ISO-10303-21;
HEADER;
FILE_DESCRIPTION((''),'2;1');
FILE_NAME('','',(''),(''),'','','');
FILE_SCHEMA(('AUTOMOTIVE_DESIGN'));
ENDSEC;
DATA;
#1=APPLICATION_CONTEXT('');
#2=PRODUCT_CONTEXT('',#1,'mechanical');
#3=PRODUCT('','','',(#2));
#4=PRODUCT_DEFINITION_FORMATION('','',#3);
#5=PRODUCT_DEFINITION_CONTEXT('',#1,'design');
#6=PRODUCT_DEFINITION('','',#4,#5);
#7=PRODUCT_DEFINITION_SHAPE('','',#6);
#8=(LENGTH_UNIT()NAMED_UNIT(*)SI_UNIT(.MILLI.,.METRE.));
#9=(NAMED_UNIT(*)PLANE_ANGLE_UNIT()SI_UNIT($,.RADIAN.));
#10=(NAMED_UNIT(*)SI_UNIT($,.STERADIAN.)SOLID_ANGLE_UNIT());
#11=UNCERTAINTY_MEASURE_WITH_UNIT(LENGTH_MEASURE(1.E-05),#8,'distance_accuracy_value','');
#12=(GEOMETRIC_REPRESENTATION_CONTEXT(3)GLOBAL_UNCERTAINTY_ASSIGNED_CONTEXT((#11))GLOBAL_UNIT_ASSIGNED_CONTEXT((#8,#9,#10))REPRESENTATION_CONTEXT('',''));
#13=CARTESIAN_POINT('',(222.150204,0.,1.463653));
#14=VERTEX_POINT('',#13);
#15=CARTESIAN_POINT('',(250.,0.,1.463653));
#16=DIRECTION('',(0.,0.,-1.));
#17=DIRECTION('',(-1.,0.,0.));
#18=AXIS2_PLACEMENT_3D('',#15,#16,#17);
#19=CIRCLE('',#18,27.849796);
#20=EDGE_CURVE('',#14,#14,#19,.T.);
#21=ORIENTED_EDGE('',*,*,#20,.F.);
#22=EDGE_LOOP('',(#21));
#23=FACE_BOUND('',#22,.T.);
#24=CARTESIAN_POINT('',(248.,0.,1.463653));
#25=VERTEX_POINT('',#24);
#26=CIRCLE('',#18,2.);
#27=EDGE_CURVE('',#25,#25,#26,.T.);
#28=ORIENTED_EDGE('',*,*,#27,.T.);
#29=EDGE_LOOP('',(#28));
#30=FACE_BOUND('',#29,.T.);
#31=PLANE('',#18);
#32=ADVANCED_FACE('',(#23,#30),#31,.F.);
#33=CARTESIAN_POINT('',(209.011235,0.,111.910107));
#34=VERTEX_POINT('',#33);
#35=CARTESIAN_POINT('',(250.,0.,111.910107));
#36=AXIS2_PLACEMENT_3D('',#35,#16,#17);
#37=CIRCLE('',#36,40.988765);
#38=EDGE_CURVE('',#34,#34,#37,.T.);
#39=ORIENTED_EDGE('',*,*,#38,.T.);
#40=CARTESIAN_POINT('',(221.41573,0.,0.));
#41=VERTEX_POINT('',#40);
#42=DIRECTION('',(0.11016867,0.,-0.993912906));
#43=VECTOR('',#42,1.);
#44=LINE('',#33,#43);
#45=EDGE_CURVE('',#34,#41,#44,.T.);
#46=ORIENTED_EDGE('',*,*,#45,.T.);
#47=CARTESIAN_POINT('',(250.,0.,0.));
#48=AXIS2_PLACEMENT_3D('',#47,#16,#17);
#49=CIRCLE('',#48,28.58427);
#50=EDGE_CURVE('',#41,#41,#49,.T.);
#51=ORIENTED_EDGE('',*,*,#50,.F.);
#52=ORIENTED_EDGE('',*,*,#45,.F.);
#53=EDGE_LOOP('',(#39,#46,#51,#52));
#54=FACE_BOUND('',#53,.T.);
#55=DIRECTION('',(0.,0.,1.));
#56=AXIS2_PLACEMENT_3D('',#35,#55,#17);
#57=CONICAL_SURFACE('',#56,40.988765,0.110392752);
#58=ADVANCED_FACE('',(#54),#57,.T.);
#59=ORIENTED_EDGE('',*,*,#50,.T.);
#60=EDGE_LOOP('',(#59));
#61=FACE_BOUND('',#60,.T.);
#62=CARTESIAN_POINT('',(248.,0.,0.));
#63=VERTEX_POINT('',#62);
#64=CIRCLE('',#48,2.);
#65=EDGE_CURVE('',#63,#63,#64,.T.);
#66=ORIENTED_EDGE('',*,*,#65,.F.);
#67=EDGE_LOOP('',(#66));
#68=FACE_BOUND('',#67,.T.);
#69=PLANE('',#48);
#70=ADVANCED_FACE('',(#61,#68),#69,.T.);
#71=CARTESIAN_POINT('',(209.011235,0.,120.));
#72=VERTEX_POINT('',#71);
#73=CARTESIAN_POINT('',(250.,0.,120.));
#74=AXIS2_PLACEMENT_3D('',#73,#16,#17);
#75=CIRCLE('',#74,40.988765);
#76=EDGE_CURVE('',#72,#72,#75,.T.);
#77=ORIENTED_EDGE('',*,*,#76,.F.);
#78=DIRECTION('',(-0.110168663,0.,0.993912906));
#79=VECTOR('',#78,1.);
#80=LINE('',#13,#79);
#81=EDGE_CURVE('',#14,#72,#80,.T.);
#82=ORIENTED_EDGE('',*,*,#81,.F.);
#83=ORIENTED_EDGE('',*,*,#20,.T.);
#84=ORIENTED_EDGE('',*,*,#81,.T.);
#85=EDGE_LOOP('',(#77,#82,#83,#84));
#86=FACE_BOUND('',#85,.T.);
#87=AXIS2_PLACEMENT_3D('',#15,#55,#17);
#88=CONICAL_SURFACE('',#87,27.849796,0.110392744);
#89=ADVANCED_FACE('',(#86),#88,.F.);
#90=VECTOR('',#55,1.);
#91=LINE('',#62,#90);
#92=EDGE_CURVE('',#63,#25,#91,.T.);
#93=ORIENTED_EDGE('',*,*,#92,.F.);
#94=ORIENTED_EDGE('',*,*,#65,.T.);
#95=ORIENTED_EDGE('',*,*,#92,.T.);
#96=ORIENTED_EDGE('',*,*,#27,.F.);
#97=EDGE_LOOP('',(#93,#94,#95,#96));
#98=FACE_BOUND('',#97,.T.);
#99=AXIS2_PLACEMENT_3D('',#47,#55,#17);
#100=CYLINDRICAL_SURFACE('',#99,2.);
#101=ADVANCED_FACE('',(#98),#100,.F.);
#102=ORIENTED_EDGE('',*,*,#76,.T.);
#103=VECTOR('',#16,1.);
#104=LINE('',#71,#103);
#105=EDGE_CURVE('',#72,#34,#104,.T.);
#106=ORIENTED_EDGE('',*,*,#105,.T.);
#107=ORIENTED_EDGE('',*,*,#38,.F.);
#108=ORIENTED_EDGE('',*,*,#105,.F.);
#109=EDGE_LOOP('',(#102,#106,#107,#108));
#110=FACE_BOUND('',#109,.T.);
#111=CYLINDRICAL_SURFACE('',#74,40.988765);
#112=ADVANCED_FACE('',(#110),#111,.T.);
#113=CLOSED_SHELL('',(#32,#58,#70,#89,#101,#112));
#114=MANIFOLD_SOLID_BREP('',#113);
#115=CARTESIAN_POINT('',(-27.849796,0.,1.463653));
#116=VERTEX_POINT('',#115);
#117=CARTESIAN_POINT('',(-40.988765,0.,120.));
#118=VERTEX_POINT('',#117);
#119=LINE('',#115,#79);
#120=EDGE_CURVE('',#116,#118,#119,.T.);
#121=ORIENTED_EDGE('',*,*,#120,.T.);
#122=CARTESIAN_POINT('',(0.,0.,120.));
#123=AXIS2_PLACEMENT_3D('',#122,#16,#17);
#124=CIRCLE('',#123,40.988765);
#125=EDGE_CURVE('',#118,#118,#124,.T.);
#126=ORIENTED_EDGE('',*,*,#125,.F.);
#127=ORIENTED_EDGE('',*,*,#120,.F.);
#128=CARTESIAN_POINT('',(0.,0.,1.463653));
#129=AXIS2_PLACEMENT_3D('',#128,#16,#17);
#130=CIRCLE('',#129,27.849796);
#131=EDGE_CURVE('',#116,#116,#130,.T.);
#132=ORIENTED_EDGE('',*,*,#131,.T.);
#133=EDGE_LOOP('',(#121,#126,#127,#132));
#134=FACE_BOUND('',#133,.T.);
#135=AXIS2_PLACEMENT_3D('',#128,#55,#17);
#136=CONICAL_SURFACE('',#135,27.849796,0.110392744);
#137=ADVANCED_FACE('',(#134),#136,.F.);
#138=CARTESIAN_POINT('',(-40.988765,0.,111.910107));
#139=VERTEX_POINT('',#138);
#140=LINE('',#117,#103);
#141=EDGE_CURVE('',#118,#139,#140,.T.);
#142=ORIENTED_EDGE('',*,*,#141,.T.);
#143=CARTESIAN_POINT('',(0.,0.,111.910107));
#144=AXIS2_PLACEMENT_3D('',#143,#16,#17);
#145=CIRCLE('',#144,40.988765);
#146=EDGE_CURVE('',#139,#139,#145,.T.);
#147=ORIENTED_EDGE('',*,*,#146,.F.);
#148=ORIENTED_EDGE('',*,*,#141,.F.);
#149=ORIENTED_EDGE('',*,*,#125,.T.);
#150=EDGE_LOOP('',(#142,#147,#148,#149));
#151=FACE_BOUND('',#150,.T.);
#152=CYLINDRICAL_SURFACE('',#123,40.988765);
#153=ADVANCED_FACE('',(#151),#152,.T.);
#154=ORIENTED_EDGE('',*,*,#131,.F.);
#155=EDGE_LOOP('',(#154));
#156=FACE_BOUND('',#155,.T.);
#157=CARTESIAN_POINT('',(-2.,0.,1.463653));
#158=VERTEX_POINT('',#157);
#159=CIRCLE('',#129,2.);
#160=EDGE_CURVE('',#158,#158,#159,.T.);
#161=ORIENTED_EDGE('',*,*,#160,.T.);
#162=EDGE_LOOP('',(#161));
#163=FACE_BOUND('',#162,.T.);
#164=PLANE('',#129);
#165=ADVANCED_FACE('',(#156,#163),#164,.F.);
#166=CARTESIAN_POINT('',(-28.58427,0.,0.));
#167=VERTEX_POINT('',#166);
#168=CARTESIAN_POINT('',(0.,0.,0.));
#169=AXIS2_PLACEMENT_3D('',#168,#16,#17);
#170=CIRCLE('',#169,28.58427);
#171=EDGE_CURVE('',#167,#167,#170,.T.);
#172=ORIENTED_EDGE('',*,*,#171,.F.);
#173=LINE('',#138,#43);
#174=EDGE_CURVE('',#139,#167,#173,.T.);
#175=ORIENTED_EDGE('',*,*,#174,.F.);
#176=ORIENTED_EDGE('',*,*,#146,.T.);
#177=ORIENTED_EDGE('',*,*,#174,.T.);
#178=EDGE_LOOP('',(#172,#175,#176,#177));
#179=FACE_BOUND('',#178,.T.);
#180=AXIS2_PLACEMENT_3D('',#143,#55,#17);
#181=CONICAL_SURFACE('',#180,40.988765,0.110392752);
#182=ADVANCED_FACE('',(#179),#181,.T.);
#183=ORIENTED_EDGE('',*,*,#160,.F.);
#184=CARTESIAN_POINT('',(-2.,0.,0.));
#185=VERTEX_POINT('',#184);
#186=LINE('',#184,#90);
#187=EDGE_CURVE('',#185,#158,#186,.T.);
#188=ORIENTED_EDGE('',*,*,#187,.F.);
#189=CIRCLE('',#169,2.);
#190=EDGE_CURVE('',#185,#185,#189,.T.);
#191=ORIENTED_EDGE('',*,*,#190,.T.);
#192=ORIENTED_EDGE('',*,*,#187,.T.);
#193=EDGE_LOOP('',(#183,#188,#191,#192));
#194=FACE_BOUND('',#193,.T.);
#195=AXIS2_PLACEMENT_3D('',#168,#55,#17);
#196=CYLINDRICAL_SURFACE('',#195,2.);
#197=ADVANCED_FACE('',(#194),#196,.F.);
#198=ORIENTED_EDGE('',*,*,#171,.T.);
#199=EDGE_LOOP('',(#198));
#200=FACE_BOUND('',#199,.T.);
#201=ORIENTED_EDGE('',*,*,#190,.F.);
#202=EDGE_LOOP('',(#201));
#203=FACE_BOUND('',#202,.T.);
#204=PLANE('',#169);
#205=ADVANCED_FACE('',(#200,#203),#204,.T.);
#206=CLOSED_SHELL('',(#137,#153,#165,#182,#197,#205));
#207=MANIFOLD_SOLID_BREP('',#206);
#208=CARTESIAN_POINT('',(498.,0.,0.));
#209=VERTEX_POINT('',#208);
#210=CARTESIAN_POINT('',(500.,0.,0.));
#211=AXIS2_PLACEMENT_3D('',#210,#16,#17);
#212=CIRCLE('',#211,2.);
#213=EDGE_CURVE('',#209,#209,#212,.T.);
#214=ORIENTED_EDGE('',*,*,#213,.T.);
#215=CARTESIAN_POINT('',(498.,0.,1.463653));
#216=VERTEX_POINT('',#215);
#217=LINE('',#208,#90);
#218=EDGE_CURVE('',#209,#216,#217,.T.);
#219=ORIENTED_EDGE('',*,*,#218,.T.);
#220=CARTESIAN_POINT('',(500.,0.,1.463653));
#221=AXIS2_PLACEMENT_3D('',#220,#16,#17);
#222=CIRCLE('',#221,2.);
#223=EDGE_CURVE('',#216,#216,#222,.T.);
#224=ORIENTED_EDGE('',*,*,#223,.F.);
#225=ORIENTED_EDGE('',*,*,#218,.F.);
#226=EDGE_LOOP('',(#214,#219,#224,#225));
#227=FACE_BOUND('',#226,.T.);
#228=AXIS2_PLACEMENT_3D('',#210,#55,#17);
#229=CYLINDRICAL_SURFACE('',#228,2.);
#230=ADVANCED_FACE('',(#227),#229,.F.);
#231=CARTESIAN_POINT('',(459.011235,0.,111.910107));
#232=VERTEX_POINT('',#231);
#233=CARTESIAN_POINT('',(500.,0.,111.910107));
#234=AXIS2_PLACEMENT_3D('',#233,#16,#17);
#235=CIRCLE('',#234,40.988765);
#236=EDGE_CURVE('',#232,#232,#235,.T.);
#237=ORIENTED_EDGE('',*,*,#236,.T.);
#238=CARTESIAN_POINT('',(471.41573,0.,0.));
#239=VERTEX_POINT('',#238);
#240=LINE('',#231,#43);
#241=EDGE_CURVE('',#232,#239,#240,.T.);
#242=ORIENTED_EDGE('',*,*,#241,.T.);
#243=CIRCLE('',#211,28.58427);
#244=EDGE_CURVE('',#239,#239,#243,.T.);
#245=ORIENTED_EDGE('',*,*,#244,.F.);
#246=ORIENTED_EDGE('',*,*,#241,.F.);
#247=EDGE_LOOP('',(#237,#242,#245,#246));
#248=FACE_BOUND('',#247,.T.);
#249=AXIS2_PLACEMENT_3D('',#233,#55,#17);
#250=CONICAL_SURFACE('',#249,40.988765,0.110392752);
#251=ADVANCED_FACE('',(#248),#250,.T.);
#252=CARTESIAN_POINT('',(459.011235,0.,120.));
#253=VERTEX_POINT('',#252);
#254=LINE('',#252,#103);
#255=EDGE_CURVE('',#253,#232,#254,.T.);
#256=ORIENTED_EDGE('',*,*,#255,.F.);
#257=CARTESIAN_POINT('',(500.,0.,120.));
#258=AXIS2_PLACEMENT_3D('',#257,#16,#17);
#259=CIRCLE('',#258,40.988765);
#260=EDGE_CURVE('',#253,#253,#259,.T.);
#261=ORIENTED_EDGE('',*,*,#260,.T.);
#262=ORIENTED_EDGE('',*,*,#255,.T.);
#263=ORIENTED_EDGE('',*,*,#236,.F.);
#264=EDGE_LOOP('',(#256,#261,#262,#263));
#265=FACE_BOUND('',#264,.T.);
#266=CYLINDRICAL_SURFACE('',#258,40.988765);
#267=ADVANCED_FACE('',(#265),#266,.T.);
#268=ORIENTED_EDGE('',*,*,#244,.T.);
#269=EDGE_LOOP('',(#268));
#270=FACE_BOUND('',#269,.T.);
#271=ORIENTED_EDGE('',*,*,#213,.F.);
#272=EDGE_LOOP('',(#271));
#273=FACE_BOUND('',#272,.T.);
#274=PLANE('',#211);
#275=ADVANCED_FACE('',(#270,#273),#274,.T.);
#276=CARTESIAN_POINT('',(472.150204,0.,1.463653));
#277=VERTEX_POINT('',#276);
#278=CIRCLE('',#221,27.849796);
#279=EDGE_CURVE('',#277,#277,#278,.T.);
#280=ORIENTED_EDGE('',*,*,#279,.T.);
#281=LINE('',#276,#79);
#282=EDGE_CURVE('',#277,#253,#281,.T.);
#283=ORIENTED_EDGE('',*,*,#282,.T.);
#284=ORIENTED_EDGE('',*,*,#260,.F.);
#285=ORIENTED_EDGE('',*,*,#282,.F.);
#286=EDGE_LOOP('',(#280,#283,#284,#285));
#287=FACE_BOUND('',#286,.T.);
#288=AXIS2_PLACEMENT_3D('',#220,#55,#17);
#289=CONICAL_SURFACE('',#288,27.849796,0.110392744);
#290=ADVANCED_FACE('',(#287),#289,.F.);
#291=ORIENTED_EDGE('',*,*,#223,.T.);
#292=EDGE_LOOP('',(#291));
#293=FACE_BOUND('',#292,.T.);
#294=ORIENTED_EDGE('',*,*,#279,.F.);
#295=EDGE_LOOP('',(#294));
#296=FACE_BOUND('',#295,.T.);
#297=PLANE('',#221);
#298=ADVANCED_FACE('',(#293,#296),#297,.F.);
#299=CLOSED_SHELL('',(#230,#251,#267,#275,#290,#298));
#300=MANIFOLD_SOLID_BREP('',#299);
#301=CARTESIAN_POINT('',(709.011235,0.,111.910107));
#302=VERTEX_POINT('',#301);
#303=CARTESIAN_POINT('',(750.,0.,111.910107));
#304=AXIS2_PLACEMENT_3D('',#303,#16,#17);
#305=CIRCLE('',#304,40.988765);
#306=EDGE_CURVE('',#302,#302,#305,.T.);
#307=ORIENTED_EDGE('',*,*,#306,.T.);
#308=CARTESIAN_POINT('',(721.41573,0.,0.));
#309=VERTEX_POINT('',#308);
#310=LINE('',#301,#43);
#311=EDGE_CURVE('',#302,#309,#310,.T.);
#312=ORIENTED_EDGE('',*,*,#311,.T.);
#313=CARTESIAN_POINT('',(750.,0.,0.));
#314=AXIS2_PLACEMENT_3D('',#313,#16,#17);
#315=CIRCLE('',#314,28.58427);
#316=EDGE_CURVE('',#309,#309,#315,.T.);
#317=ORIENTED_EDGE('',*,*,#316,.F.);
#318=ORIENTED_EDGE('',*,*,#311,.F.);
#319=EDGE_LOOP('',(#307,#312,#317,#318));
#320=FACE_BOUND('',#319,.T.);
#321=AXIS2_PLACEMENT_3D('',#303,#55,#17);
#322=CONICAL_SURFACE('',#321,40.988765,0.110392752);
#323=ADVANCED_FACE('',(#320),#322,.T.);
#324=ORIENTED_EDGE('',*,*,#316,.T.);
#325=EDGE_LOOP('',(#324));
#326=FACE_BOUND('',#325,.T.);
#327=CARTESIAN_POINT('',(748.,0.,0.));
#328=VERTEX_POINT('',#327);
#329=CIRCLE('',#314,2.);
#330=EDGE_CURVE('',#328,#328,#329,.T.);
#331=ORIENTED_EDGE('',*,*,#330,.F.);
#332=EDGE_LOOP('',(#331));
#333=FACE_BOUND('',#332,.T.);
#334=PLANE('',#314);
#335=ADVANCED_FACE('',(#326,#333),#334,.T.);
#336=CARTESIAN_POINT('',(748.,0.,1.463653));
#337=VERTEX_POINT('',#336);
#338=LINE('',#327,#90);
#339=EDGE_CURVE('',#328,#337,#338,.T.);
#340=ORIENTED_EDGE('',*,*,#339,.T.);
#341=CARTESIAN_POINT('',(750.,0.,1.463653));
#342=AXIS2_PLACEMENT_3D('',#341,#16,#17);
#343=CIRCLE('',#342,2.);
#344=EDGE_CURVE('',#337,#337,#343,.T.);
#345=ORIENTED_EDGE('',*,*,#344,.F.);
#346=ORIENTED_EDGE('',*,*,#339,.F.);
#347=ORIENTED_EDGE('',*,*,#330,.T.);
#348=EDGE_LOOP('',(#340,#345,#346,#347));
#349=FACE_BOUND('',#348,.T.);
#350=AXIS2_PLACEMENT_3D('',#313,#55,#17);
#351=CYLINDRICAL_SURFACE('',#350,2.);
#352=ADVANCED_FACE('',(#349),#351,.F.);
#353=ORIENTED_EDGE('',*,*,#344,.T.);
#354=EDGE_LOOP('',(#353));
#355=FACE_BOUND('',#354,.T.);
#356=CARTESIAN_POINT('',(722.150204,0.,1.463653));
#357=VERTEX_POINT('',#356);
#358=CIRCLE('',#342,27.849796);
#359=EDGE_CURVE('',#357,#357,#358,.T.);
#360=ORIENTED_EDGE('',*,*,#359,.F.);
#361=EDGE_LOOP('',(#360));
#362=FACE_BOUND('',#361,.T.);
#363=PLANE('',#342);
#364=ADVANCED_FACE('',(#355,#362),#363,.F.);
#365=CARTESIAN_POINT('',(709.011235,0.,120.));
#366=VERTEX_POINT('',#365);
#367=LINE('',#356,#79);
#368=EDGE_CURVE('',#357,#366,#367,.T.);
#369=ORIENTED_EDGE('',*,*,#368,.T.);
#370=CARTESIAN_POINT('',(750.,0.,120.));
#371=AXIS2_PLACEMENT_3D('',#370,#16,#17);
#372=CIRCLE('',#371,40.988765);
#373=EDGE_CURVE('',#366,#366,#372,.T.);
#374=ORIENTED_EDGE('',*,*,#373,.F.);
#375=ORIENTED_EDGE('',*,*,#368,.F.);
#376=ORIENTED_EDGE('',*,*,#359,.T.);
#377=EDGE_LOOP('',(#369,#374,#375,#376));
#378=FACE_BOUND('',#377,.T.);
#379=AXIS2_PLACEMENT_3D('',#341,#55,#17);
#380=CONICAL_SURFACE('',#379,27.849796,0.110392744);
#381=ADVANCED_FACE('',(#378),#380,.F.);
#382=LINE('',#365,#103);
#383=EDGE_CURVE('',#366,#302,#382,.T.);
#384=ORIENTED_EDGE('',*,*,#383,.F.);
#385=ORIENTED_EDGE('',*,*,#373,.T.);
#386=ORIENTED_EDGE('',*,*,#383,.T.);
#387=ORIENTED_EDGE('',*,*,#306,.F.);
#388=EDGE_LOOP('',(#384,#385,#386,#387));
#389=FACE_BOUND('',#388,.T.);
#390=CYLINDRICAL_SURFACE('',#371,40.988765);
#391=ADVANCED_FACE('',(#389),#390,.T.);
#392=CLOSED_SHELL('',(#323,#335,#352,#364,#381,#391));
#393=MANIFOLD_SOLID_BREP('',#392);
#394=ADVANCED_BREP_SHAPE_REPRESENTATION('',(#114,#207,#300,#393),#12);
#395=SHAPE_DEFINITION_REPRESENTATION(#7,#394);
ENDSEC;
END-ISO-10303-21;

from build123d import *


with BuildPart() as f1:
    # F0 (on Front) → F1 (revolve)
    with BuildSketch(Plane.XZ):
        Polygon((-28.58427, 0), (-2, 0), (-2, 1.463653), (-27.849796, 1.463653), (-40.988765, 120), (-40.988765, 111.910107), align=None)
    revolve(axis=Axis((0, 0, 0.731827), (0, 0, -1)))


with BuildPart() as f4:
    # F2 (on Front) → F4 (revolve)
    with BuildSketch(Plane.XZ):
        Polygon((221.41573, 0), (248, 0), (248, 1.463653), (222.150204, 1.463653), (209.011235, 120), (209.011235, 111.910107), align=None)
    revolve(axis=Axis((250, 0, 0.731827), (0, 0, -1)))


with BuildPart() as f5:
    # F3 (on Front) → F5 (revolve)
    with BuildSketch(Plane.XZ):
        Polygon((471.41573, 0), (498, 0), (498, 1.463653), (472.150204, 1.463653), (459.011235, 120), (459.011235, 111.910107), align=None)
    revolve(axis=Axis((500, 0, 0.731827), (0, 0, -1)))


with BuildPart() as f7:
    # F6 (on Front) → F7 (revolve)
    with BuildSketch(Plane.XZ):
        Polygon((721.41573, 0), (748, 0), (748, 1.463653), (722.150204, 1.463653), (709.011235, 120), (709.011235, 111.910107), align=None)
    revolve(axis=Axis((750, 0, 0.731827), (0, 0, -1)))


solid = Compound([f1.part, f4.part, f5.part, f7.part])
